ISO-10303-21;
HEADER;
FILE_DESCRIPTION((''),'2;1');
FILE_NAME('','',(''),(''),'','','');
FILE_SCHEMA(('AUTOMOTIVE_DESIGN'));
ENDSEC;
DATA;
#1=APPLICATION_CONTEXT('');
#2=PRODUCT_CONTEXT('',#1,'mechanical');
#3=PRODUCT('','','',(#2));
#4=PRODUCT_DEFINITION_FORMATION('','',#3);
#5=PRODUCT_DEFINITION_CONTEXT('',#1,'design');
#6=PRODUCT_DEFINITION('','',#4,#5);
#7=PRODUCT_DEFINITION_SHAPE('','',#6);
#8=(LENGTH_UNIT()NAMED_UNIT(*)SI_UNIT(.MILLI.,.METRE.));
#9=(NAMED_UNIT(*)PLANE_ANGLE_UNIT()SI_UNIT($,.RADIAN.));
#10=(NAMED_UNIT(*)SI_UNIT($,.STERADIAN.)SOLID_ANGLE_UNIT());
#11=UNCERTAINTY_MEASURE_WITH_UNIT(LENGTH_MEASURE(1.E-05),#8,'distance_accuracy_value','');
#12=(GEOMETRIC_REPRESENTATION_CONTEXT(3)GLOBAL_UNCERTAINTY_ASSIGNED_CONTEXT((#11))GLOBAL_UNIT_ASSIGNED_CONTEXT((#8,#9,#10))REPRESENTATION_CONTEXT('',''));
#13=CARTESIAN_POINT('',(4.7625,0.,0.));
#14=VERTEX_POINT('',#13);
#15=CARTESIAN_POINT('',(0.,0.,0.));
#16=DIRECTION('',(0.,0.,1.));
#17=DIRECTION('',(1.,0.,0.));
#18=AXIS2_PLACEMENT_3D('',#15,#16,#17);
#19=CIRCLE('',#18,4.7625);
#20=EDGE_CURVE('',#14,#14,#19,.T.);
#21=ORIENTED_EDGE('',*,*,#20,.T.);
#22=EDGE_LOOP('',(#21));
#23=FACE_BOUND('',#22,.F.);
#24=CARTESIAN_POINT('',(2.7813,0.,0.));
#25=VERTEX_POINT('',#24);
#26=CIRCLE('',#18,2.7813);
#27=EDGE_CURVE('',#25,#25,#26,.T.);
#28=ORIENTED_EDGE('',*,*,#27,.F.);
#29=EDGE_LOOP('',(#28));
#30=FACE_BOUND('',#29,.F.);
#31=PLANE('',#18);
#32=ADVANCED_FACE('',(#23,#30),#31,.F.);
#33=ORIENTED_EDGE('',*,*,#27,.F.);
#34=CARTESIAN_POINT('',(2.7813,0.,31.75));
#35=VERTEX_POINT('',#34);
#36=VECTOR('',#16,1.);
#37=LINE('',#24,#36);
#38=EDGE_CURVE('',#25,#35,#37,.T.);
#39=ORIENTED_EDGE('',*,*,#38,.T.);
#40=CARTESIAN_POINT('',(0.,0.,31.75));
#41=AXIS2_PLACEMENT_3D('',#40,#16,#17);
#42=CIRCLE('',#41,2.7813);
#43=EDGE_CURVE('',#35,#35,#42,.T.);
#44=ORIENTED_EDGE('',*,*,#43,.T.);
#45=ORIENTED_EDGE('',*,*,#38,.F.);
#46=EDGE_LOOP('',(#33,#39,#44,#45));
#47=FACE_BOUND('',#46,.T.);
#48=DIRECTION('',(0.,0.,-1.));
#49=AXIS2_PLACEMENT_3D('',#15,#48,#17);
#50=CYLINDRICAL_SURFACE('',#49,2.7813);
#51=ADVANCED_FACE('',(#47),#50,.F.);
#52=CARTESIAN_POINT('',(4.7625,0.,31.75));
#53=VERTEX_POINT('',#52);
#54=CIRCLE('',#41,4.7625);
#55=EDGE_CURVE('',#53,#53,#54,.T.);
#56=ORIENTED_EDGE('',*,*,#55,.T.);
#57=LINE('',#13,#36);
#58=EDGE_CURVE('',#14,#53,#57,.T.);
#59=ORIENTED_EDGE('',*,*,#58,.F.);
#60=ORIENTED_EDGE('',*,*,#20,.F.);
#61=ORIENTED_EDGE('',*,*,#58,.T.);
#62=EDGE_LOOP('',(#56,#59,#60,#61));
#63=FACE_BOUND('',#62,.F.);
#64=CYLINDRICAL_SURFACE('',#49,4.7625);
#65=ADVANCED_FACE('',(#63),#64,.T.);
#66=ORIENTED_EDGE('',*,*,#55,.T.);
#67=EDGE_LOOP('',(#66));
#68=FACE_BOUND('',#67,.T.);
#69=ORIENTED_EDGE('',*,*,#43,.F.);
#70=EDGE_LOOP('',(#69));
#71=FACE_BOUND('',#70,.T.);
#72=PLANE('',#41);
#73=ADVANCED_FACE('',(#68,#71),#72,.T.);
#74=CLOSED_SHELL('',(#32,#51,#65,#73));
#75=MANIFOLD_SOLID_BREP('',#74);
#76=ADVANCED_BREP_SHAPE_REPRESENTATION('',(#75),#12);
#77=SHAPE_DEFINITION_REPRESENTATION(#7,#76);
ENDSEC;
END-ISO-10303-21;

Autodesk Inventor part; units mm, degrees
ref_plane "YZ Plane" through (0, 0, 0) normal (1, 0, 0) x (0, 1, 0)
ref_plane "XZ Plane" through (0, 0, 0) normal (0, 1, 0) x (-1, 0, 0)
ref_plane "XY Plane" through (0, 0, 0) normal (0, 0, 1) x (1, 0, 0)
sketch "Sketch1" plane through (0, 0, 0) normal (0, 0, 1) x (1, 0, 0)
  circle A0 centre (0, 0) radius 4.7625
  circle A1 centre (0, 0) radius 2.7813
  dimension "d0" = 9.525
  dimension "d1" = 5.5626
extrude "Extrusion1" add sketch "Sketch1" along normal blind 31.75
properties part number "PS20002" material "Aluminum 6061"
